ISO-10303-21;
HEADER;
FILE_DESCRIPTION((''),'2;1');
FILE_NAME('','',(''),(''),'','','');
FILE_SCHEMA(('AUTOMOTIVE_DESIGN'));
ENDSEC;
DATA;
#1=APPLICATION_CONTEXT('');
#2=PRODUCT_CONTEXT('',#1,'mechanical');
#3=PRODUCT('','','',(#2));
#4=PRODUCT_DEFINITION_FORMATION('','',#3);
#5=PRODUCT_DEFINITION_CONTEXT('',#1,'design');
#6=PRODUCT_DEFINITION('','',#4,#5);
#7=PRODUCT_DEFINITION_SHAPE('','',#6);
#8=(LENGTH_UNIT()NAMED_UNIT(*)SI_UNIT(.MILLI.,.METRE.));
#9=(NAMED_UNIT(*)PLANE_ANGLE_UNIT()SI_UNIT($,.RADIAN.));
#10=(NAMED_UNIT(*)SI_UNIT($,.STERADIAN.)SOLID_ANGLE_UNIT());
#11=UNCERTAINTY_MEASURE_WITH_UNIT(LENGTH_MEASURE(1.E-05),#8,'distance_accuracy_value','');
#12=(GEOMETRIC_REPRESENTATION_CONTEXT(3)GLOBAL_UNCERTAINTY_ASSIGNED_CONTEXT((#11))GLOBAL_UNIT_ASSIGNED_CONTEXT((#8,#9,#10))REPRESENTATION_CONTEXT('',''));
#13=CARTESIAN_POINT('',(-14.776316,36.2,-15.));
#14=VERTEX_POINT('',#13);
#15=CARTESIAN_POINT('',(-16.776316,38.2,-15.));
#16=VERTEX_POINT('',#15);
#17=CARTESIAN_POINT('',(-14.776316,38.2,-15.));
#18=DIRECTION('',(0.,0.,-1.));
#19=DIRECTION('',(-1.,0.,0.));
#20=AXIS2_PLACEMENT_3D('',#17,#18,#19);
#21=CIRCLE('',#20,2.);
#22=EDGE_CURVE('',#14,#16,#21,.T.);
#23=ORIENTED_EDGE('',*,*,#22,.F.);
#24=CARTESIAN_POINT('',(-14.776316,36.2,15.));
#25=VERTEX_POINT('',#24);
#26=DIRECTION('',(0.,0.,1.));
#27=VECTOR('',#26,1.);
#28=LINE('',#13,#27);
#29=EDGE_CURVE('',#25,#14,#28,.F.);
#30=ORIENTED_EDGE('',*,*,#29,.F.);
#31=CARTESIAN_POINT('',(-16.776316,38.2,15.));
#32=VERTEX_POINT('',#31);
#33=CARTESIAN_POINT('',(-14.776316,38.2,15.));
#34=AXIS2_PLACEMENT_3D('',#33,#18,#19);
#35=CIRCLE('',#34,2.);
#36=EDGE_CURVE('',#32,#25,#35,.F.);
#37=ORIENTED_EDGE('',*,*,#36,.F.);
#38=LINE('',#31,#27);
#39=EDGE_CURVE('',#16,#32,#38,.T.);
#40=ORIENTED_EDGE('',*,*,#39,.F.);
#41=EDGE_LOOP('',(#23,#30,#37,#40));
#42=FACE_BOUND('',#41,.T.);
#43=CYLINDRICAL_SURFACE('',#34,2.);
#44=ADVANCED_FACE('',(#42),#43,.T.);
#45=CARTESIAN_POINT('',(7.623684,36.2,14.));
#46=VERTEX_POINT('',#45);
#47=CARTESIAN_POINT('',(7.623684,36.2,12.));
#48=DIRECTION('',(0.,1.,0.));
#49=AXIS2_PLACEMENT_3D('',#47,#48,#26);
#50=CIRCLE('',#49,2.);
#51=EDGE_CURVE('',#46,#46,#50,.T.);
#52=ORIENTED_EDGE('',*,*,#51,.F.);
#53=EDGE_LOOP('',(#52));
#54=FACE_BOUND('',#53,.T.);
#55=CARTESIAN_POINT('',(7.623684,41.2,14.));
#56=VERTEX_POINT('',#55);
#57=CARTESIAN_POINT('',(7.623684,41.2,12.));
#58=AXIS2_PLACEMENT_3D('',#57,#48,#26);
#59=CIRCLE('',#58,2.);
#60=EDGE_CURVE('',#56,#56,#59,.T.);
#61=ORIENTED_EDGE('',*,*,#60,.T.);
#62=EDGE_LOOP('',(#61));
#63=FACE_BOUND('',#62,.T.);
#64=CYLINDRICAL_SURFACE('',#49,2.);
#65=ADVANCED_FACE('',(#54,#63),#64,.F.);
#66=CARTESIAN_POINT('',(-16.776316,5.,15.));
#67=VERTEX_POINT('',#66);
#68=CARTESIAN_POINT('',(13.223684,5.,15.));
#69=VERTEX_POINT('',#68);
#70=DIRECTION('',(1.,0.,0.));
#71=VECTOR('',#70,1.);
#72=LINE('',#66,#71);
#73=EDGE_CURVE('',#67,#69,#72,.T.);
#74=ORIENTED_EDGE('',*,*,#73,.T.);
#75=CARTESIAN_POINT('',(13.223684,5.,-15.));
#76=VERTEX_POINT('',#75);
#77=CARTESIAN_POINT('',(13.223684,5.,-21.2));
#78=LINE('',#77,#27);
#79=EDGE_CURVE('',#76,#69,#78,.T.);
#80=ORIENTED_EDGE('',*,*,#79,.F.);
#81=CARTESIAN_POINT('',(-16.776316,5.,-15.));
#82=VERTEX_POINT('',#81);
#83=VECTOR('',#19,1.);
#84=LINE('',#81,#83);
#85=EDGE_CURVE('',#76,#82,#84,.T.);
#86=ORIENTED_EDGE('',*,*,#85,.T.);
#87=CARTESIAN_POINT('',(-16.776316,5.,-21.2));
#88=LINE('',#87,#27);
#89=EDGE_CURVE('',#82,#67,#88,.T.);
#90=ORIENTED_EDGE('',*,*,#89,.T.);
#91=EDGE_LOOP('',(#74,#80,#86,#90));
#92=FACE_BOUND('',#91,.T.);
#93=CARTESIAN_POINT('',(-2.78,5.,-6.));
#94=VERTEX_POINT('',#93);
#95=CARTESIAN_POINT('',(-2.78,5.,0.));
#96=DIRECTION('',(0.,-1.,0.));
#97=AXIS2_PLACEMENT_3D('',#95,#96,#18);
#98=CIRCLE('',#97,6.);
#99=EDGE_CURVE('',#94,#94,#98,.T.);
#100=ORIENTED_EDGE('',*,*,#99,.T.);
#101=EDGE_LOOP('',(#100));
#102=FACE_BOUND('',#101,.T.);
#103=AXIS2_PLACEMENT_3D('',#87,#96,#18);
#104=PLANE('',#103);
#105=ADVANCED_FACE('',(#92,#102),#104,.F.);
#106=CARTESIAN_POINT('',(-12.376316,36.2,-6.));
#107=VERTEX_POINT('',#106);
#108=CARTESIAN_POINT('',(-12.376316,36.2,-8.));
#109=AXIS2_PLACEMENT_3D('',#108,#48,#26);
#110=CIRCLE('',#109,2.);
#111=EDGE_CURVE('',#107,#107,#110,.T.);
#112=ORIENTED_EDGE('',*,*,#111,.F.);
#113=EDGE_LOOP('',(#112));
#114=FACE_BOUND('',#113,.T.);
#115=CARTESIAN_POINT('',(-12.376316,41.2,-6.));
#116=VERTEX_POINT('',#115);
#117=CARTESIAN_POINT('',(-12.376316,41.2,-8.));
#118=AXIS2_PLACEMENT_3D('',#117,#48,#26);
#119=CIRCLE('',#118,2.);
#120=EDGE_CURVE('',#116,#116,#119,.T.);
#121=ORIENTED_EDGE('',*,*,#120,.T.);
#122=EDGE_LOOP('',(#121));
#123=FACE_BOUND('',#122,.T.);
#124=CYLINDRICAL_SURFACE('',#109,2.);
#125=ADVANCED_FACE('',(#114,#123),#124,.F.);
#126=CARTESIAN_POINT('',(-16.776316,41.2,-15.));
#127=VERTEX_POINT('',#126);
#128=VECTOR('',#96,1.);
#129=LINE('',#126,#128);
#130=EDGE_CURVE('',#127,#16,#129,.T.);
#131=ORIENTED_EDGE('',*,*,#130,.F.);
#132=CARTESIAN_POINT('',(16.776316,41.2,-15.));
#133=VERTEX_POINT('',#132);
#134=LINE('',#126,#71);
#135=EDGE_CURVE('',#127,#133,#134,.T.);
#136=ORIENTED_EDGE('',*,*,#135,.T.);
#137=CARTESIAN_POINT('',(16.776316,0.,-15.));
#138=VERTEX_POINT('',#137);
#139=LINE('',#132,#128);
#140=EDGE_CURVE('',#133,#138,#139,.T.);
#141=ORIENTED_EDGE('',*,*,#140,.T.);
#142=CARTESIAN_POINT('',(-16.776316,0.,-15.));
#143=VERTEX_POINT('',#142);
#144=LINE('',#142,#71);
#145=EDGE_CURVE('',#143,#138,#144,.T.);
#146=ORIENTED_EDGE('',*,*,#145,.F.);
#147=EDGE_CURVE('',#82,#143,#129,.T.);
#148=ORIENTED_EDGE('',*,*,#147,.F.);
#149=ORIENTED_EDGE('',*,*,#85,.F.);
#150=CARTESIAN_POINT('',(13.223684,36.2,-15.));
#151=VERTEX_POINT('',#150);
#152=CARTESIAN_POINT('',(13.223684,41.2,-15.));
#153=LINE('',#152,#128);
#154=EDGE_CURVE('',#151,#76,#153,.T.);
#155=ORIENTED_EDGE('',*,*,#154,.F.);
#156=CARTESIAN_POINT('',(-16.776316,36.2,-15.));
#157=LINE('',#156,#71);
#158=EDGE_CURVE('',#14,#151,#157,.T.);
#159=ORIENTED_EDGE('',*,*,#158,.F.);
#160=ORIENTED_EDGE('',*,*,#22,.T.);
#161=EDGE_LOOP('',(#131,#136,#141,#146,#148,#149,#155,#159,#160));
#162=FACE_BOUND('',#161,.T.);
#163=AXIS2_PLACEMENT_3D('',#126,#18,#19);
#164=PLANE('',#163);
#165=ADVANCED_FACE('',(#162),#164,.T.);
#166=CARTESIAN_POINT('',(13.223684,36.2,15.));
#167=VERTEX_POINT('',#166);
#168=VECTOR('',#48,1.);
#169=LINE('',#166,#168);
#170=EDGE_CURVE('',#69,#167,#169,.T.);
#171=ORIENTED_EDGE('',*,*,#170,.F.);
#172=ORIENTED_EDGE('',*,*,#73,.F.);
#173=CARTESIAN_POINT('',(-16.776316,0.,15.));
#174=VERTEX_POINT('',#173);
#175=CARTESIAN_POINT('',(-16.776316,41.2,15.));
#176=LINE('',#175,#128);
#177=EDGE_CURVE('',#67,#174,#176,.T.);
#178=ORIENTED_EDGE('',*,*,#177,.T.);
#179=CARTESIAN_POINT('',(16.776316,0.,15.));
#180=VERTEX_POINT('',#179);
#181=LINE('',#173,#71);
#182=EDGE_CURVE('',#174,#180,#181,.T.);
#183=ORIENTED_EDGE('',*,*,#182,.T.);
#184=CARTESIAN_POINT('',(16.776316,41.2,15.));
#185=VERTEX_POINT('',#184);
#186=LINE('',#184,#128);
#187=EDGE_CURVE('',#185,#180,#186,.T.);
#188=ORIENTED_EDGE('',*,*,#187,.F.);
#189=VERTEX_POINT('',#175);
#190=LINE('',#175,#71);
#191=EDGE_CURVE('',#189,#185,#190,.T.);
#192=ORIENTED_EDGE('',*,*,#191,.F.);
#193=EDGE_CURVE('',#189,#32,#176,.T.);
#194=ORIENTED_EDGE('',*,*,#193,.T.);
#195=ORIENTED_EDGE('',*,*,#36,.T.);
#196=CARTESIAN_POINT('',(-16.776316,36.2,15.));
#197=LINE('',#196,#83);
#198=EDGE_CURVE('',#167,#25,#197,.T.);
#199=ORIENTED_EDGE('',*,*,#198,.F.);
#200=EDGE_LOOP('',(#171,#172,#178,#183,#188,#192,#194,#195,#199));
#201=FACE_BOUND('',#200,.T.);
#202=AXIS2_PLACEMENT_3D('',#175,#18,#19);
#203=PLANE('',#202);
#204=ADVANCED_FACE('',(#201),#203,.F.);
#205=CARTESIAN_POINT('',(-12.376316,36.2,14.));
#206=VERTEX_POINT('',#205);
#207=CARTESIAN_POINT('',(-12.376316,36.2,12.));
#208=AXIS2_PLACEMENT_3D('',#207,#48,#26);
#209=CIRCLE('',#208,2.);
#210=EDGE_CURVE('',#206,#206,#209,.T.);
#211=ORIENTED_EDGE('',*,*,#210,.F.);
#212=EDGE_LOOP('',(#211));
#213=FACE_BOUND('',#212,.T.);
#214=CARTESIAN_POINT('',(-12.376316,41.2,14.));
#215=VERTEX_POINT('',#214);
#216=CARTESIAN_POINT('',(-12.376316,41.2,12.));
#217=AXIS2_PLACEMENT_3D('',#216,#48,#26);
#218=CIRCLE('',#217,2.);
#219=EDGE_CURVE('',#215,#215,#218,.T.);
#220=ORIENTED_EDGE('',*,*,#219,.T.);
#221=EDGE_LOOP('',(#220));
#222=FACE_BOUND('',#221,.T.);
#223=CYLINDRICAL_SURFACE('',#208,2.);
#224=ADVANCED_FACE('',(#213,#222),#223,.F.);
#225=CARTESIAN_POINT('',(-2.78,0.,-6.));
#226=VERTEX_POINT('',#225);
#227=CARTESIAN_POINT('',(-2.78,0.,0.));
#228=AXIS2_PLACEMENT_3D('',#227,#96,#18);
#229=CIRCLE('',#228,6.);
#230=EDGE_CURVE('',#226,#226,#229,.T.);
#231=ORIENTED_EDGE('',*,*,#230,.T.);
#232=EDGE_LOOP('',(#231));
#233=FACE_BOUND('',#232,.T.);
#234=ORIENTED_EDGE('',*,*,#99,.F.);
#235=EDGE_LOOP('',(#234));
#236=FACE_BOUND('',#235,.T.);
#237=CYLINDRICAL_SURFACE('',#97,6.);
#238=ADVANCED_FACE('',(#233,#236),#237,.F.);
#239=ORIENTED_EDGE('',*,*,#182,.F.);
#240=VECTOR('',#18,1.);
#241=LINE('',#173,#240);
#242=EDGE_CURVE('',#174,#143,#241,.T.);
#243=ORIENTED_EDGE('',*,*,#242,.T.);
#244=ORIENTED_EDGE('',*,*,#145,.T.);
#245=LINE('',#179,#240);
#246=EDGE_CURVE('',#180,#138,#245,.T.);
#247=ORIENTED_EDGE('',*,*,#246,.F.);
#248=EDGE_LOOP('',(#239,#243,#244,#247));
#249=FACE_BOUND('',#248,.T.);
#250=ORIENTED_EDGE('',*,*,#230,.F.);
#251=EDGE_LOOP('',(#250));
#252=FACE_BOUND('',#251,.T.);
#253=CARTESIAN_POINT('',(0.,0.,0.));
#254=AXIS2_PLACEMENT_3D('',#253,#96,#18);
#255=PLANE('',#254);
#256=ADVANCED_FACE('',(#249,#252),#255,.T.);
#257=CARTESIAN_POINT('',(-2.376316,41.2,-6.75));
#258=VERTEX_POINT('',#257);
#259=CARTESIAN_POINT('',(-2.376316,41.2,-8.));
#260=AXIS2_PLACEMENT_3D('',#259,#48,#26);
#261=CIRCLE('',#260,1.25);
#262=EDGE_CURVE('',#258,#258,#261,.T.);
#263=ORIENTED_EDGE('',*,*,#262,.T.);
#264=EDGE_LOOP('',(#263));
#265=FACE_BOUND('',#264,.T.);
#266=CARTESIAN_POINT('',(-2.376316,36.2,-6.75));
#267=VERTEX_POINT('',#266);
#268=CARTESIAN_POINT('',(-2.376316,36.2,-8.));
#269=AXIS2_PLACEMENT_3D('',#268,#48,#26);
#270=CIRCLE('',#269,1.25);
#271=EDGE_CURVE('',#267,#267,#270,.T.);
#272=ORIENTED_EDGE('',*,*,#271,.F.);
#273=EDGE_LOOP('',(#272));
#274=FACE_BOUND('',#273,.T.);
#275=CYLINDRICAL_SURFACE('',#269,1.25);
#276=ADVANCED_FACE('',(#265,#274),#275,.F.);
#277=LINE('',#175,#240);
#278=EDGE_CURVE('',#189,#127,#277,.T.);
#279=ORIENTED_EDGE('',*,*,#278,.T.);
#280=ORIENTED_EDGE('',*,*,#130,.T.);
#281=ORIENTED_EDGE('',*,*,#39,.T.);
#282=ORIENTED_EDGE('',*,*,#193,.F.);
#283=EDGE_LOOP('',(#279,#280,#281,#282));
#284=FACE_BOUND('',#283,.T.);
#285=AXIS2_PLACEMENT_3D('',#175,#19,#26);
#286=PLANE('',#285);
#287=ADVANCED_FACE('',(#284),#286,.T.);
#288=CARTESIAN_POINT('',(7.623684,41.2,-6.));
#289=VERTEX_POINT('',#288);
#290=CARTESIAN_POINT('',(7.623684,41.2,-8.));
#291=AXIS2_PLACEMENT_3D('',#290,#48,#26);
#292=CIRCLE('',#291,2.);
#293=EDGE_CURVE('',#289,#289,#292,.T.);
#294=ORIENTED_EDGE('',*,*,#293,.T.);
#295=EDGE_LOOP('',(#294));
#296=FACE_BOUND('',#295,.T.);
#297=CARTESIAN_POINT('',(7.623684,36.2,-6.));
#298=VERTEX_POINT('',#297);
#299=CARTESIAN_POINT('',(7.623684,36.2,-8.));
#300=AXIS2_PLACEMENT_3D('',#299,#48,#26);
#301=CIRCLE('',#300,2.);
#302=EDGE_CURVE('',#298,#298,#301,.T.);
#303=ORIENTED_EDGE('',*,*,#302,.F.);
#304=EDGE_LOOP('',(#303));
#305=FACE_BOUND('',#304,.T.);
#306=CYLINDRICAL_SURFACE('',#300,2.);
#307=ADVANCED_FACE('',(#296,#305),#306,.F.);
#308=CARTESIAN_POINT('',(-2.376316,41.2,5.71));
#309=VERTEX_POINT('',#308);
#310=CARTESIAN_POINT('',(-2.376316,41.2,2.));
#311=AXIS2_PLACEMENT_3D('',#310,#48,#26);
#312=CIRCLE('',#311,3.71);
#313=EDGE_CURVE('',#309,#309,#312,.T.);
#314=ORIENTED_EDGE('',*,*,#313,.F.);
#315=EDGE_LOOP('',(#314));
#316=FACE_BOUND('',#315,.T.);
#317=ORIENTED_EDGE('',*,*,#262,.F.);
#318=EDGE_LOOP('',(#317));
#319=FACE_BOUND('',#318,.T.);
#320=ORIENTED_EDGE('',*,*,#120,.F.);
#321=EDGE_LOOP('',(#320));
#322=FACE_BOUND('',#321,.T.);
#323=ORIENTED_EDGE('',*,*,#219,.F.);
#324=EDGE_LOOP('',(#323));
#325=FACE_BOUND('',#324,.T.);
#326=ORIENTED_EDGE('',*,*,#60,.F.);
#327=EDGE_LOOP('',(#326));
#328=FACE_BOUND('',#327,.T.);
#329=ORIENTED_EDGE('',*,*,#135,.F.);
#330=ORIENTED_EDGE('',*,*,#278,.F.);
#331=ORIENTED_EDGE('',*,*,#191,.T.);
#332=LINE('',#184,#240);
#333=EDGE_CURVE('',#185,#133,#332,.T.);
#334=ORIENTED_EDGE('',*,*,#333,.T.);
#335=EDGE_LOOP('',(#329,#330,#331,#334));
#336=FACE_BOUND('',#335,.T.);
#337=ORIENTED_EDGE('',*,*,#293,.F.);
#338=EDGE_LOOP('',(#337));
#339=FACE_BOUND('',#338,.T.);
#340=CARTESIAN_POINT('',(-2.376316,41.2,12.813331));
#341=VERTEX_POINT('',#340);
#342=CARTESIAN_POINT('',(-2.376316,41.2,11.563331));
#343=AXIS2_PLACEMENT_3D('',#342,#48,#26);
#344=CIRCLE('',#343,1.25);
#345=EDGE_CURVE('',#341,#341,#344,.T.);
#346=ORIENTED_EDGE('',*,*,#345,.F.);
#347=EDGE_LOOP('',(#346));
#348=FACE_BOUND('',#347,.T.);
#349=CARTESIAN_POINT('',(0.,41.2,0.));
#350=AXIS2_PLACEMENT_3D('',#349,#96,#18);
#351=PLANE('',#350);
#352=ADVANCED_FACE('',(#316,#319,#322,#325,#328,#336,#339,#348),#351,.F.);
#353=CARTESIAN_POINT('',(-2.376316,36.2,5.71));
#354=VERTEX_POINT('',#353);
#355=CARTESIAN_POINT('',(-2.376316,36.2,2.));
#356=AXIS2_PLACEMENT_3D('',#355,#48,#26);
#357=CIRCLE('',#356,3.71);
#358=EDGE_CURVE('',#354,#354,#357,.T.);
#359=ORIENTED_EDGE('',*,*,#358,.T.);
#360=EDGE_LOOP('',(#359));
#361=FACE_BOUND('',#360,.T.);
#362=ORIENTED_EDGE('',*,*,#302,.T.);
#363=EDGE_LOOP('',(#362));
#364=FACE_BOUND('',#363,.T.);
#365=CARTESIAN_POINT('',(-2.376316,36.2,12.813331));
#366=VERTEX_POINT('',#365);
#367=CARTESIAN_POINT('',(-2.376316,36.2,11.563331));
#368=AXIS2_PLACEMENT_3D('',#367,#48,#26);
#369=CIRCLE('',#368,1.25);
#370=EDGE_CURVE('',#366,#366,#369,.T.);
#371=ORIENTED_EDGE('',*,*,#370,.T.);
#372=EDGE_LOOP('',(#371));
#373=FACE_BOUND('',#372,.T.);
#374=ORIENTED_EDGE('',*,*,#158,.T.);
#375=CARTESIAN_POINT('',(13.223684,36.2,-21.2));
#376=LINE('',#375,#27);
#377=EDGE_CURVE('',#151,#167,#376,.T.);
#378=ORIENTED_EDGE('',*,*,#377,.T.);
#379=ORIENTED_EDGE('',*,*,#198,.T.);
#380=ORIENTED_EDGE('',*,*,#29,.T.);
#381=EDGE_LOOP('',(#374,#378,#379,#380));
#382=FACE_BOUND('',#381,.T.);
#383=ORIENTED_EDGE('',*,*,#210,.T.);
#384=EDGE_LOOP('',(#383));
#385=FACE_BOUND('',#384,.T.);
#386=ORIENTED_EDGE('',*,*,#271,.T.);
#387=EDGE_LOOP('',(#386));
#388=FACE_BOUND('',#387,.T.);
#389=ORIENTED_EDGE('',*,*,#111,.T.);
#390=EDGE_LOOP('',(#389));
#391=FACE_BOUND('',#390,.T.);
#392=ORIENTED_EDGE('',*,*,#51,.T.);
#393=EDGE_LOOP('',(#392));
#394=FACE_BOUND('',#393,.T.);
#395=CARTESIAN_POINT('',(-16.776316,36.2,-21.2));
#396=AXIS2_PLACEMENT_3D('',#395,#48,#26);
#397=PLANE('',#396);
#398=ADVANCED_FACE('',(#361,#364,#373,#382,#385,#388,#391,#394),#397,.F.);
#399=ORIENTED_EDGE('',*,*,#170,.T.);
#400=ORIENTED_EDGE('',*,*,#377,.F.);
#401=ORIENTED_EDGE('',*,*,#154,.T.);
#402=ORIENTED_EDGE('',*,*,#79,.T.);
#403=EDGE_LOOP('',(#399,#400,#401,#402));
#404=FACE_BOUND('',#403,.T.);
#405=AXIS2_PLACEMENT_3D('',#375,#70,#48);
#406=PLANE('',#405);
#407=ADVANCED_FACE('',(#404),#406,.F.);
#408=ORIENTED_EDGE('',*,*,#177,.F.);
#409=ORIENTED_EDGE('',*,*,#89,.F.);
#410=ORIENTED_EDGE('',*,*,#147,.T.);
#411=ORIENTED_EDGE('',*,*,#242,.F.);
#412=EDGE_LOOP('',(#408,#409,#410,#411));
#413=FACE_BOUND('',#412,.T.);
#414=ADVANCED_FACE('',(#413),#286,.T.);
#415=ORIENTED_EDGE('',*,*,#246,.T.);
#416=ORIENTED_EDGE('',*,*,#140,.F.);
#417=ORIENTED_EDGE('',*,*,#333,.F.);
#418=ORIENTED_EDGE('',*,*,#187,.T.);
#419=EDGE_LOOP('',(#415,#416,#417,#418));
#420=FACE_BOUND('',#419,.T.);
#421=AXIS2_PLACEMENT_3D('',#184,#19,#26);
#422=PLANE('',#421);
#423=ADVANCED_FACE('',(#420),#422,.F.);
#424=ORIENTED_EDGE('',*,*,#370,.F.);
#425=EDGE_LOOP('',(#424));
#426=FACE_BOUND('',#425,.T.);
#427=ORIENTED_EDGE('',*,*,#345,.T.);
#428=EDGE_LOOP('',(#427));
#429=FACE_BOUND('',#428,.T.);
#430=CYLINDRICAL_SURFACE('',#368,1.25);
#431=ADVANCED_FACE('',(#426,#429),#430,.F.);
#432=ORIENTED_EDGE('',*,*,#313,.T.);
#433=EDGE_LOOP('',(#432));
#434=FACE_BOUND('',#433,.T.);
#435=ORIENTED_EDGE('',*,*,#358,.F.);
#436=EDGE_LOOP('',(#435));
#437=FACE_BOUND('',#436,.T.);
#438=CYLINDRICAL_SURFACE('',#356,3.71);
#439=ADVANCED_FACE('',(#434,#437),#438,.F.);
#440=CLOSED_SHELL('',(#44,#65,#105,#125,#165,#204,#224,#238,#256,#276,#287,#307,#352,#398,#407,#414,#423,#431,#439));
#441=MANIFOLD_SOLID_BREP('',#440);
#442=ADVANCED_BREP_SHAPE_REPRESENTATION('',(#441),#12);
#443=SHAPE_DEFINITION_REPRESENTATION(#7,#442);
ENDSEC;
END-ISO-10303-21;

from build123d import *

# Parameters (mm, degrees)
CROQUIS1_W              = 33.552631578
CROQUIS1_H              = 30
SALIENTE_EXTRUIR1_DEPTH = 41.2
CROQUIS2_W              = 30
CROQUIS2_H              = 31.2
CORTAR_EXTRUIR1_DEPTH   = 36.2
CROQUIS3_R              = 2
CROQUIS3_R_2            = 1.25
CROQUIS3_R_3            = 3.71
CORTAR_EXTRUIR2_DEPTH   = 5
CROQUIS4_R              = 6
CORTAR_EXTRUIR3_DEPTH   = 5
REDONDEO1_R             = 2


with BuildPart() as part:
    # Croquis1 → Saliente-Extruir1 (new body)
    with BuildSketch(Plane(origin=(0, 0, 0), x_dir=(1, 0, 0), z_dir=(0, 1, 0))):
        Rectangle(CROQUIS1_W, CROQUIS1_H)
    extrude(amount=SALIENTE_EXTRUIR1_DEPTH)

    # Croquis2 → Cortar-Extruir1 (cut)
    with BuildSketch(Plane.XY.offset(15)):
        with Locations((-1.776315789, 20.6)):
            Rectangle(CROQUIS2_W, CROQUIS2_H)
    extrude(amount=-CORTAR_EXTRUIR1_DEPTH, mode=Mode.SUBTRACT)

    # Croquis3 → Cortar-Extruir2 (cut)
    with BuildSketch(Plane(origin=(0, 41.2, 0), x_dir=(1, 0, 0), z_dir=(0, 1, 0))):
        with Locations((-12.376315789, -12)):
            Circle(CROQUIS3_R)
        with Locations((-2.376315789, -11.563330836)):
            Circle(CROQUIS3_R_2)
        with Locations((7.623684211, -12)):
            Circle(CROQUIS3_R)
        with Locations((-2.376315789, -2)):
            Circle(CROQUIS3_R_3)
        with Locations((7.623684211, 8)):
            Circle(CROQUIS3_R)
        with Locations((-2.376315789, 8)):
            Circle(CROQUIS3_R_2)
        with Locations((-12.376315789, 8)):
            Circle(CROQUIS3_R)
    extrude(amount=-CORTAR_EXTRUIR2_DEPTH, mode=Mode.SUBTRACT)

    # Croquis4 → Cortar-Extruir3 (cut)
    with BuildSketch(Plane.XZ):
        with Locations((-2.779999999, 0)):
            Circle(CROQUIS4_R)
    extrude(amount=-CORTAR_EXTRUIR3_DEPTH, mode=Mode.SUBTRACT)

    # Redondeo1
    redondeo1_edges = [part.edges().sort_by_distance(p)[0] for p in [
        (-16.776315789, 36.2, 0),
    ]]
    fillet(redondeo1_edges, radius=REDONDEO1_R)


solid = part.part
